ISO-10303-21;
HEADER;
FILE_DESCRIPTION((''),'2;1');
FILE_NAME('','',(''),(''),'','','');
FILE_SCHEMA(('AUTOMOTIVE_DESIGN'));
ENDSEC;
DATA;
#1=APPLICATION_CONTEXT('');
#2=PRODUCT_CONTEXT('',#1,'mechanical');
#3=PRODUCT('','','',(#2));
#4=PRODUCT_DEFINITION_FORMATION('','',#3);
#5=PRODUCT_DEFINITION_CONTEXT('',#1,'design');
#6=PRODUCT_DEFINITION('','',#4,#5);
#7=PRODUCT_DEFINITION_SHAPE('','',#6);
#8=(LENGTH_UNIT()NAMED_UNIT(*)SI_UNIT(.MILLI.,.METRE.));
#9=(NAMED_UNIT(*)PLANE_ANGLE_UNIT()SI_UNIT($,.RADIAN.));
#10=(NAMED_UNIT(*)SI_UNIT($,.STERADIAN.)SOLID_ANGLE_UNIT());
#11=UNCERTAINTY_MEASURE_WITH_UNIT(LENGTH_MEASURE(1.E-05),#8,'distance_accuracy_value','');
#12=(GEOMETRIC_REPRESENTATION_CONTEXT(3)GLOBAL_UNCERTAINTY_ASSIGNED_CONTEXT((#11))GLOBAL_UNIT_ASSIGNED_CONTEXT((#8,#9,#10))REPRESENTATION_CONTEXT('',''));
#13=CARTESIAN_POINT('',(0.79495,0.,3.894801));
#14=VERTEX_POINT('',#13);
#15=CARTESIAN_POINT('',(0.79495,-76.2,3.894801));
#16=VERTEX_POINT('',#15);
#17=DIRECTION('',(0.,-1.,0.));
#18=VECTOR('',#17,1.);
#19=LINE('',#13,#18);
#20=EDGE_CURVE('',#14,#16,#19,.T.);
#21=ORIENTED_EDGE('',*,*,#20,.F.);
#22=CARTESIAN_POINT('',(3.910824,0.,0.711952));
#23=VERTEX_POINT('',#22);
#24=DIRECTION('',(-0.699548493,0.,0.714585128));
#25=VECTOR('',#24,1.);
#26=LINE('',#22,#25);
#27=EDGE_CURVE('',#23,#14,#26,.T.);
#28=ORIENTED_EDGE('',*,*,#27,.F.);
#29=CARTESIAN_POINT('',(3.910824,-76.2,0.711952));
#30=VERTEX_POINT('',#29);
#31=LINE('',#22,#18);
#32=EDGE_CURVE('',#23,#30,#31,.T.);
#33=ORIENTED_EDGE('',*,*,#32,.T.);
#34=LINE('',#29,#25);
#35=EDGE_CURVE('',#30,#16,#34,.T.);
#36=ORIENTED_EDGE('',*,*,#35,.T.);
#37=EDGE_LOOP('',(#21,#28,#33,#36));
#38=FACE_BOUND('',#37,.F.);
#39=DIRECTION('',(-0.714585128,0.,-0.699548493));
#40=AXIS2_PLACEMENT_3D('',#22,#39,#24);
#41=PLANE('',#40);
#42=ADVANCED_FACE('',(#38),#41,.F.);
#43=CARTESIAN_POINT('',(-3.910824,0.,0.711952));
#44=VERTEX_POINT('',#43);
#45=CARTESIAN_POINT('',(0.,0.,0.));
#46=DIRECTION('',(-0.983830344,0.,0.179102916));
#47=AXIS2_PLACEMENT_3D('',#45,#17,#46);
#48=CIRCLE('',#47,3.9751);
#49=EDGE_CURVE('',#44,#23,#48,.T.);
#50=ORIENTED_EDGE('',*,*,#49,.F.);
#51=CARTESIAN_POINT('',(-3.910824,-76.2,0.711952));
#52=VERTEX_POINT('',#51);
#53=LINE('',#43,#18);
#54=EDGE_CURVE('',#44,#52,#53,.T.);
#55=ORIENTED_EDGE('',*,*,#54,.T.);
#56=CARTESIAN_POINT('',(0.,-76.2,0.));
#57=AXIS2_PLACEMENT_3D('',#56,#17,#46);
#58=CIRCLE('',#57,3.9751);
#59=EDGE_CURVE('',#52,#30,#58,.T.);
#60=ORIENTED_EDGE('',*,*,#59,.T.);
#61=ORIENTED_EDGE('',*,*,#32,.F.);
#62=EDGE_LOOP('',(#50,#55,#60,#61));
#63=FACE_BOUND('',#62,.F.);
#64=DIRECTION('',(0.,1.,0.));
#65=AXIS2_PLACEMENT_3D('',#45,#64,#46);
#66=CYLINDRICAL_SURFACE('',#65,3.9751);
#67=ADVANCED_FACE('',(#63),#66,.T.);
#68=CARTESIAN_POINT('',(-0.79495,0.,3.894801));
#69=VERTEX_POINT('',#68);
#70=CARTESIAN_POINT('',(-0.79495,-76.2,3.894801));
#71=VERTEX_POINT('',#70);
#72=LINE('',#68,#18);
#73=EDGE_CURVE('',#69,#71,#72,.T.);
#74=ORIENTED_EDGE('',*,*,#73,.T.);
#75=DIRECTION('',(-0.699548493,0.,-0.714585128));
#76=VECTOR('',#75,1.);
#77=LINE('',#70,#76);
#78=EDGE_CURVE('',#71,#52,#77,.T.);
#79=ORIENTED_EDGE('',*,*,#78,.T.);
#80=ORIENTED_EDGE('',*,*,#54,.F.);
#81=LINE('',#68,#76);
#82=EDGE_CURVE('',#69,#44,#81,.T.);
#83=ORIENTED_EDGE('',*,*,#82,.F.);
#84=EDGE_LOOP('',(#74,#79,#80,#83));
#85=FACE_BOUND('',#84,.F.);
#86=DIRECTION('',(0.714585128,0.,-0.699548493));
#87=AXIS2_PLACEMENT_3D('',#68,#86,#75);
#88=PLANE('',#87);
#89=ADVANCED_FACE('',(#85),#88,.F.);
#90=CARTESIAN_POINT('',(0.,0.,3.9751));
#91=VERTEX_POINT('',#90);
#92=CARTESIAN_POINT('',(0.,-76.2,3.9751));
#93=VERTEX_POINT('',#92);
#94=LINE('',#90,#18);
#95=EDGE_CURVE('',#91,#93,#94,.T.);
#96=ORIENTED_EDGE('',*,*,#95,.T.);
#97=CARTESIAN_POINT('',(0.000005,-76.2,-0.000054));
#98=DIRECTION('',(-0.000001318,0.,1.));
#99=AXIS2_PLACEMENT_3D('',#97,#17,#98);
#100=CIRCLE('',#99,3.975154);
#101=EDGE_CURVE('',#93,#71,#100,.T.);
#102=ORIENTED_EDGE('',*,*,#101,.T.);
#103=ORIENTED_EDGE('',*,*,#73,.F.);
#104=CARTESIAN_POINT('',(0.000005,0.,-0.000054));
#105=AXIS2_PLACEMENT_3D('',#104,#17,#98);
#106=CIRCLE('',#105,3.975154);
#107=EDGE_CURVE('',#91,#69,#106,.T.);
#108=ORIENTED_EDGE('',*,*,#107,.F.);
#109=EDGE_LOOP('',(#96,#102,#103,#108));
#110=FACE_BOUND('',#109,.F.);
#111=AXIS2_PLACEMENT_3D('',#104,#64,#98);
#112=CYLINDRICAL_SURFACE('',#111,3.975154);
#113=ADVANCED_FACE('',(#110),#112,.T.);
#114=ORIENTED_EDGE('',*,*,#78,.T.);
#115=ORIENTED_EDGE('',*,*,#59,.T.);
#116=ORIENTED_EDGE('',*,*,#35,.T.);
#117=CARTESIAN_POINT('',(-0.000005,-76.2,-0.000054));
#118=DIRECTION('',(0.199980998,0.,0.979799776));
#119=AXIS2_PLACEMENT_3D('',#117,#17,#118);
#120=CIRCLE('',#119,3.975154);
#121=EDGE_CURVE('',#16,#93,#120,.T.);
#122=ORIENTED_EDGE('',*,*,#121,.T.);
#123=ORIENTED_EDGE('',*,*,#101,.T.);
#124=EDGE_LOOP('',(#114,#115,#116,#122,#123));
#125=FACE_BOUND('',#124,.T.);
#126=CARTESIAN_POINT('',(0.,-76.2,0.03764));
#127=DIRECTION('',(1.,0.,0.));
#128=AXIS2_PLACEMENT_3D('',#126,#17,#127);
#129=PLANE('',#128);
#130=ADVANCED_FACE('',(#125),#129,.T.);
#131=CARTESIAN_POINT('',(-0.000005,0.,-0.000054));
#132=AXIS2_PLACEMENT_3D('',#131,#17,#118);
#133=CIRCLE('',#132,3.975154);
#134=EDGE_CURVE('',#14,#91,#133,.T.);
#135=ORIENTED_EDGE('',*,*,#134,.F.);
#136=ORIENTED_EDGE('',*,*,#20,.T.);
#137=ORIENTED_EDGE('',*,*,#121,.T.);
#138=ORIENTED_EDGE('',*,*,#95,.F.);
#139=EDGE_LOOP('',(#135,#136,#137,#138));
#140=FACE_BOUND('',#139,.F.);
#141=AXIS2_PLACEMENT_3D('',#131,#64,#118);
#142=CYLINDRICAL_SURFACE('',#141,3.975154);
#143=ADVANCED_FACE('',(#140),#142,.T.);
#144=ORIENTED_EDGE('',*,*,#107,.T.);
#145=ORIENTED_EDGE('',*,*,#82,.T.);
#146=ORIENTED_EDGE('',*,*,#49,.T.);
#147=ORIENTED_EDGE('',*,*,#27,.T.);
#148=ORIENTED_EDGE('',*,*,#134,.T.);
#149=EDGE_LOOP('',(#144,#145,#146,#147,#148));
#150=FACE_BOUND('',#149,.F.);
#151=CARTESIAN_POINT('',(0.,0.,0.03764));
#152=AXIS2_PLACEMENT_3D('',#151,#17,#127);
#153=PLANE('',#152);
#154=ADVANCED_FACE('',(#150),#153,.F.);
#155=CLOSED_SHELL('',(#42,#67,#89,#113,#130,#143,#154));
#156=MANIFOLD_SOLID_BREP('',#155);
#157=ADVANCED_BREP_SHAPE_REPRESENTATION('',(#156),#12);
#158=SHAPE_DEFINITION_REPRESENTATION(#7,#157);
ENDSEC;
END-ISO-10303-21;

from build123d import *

# Parameters (mm, degrees)
F1_DEPTH = 76.2


with BuildPart() as f1:
    # F0 (on Front) → F1 (new body)
    with BuildSketch(Plane.XZ):
        with BuildLine():
            Line((3.910824, 0.711952), (0.79495, 3.894801))
            ThreePointArc((0.79495, 3.894801), (0.399498, 3.954974), (0, 3.9751))
            ThreePointArc((0, 3.9751), (-0.399498, 3.954974), (-0.79495, 3.894801))
            Line((-0.79495, 3.894801), (-3.910824, 0.711952))
            ThreePointArc((-3.910824, 0.711952), (0, -3.9751), (3.910824, 0.711952))
        make_face()
    extrude(amount=F1_DEPTH)


solid = f1.part
